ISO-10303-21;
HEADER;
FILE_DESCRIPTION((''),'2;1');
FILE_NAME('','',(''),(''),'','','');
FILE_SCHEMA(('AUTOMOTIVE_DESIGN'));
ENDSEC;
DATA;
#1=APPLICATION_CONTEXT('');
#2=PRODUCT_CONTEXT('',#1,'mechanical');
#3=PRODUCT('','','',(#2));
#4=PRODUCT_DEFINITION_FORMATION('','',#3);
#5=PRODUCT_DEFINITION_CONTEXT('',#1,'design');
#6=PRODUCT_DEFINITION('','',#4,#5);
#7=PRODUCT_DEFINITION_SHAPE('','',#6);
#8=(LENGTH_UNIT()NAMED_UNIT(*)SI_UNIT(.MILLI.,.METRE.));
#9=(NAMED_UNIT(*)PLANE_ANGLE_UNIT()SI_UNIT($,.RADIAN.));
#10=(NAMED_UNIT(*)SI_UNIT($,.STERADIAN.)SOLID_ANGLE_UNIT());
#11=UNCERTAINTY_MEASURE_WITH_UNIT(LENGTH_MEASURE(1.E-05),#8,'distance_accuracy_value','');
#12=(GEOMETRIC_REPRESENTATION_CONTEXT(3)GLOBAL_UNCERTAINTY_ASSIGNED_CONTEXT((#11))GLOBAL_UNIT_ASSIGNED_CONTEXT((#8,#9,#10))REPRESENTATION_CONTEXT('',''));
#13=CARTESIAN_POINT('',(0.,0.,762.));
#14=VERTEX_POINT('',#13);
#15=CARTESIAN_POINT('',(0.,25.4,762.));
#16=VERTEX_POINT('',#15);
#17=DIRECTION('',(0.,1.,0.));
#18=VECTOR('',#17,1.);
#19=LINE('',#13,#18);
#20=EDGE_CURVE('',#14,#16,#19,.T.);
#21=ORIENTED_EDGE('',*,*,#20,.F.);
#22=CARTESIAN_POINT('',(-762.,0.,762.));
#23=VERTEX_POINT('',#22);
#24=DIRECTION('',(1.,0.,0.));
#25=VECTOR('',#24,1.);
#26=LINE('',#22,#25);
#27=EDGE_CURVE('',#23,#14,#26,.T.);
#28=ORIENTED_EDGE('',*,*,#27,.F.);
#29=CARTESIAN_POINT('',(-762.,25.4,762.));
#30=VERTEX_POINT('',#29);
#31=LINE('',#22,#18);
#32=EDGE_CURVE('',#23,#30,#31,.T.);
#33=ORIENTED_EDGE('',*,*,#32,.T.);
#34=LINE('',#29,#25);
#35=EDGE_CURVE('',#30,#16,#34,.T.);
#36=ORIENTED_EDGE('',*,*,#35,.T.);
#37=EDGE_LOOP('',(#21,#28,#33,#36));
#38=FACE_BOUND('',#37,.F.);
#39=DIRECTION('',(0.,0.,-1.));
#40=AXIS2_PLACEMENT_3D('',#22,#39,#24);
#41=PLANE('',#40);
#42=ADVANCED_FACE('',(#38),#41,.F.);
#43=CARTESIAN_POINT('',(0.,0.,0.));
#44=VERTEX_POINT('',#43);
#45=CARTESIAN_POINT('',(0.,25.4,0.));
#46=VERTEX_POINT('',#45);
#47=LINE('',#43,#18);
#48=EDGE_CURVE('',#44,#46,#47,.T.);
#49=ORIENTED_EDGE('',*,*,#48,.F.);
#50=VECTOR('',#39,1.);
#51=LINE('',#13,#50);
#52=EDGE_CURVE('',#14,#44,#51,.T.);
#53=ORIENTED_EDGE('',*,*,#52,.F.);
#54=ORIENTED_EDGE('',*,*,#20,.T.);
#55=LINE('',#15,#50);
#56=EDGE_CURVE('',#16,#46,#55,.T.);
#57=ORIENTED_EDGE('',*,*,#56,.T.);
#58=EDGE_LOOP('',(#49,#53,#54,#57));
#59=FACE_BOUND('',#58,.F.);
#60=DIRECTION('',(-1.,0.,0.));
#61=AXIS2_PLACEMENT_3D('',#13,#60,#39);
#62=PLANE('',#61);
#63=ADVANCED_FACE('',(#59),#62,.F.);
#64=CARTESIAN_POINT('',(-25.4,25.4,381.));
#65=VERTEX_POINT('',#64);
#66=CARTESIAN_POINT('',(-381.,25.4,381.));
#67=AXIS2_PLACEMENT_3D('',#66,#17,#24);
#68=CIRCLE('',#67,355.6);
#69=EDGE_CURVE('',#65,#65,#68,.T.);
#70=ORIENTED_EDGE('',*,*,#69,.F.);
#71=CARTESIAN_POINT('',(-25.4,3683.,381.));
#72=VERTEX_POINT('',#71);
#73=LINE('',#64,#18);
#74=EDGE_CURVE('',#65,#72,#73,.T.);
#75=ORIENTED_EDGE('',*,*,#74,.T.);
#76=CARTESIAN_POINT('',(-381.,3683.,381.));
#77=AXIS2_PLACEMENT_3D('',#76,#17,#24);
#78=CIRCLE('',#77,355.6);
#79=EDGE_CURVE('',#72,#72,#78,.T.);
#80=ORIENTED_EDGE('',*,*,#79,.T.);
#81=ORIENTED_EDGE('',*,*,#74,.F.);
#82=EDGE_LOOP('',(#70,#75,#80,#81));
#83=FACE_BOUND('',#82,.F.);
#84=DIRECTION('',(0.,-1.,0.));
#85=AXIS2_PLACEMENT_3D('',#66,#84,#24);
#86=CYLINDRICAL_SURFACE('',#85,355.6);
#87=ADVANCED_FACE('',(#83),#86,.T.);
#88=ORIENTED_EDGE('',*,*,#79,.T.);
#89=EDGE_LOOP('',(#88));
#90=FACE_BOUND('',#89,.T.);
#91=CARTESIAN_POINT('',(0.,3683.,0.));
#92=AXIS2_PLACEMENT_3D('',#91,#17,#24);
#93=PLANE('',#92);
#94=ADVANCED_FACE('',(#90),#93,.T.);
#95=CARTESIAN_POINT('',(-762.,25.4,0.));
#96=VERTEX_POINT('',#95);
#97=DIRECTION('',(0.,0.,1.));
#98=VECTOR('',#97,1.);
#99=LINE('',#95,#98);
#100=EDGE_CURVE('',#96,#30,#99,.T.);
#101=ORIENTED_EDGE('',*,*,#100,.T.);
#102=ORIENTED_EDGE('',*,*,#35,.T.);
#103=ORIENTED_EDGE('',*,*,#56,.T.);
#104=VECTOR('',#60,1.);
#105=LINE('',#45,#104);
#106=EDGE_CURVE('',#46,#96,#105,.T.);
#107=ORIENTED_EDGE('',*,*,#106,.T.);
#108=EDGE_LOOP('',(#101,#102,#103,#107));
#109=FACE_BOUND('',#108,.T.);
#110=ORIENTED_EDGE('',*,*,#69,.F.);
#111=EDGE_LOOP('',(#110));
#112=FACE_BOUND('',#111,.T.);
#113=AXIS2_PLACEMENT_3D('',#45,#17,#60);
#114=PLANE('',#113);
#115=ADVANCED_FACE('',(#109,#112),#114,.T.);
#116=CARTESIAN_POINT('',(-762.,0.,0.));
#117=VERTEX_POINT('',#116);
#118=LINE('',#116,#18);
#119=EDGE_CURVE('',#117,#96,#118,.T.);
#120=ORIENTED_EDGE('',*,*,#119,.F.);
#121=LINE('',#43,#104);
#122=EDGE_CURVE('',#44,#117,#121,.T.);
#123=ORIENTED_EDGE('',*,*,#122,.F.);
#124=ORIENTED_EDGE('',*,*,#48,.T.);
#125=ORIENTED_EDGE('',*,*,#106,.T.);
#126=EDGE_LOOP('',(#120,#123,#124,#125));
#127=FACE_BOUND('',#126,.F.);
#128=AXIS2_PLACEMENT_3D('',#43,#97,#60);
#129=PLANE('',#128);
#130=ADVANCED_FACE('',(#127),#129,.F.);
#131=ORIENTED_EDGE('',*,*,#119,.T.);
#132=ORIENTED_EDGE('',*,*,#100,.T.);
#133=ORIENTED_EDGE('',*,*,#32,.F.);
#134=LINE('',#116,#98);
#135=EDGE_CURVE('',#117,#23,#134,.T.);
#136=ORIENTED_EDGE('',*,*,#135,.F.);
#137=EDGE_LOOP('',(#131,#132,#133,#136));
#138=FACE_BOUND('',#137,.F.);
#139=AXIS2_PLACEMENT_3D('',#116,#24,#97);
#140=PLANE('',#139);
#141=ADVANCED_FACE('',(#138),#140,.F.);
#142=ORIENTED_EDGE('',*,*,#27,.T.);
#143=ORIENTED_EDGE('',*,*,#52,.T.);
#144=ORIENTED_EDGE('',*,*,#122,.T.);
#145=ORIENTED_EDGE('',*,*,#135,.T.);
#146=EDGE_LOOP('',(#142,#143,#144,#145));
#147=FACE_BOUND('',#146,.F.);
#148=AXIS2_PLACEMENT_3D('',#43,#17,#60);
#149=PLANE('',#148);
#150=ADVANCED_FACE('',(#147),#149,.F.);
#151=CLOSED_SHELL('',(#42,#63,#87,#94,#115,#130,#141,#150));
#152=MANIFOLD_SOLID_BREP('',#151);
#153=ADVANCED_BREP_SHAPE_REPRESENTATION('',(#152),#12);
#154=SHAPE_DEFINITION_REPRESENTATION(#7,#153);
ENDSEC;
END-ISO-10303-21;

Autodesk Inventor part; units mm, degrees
ref_plane "YZ Plane" through (0, 0, 0) normal (1, 0, 0) x (0, 1, 0)
ref_plane "XZ Plane" through (0, 0, 0) normal (0, 1, 0) x (-1, 0, 0)
ref_plane "XY Plane" through (0, 0, 0) normal (0, 0, 1) x (1, 0, 0)
sketch "Sketch1" plane through (0, 0, 0) normal (0, 1, 0) x (-1, 0, 0)
  line L0 (0, 0) -> (762, 0)
  line L1 (762, 0) -> (762, 762)
  line L2 (762, 762) -> (0, 762)
  line L3 (0, 762) -> (0, 0)
  dimension "d0" = 762
  dimension "d1" = 762
extrude "Extrusion1" add sketch "Sketch1" along normal blind 25.4
sketch "Sketch2" plane through (0, 25.4, 0) normal (0, 1, 0) x (1, 0, 0)
  circle A0 centre (-381, -381) radius 355.6
  dimension "d4" = 711.2
extrude "Extrusion2" add sketch "Sketch2" along normal blind 3657.6
properties part number "tree" material "Wood (Walnut)"
